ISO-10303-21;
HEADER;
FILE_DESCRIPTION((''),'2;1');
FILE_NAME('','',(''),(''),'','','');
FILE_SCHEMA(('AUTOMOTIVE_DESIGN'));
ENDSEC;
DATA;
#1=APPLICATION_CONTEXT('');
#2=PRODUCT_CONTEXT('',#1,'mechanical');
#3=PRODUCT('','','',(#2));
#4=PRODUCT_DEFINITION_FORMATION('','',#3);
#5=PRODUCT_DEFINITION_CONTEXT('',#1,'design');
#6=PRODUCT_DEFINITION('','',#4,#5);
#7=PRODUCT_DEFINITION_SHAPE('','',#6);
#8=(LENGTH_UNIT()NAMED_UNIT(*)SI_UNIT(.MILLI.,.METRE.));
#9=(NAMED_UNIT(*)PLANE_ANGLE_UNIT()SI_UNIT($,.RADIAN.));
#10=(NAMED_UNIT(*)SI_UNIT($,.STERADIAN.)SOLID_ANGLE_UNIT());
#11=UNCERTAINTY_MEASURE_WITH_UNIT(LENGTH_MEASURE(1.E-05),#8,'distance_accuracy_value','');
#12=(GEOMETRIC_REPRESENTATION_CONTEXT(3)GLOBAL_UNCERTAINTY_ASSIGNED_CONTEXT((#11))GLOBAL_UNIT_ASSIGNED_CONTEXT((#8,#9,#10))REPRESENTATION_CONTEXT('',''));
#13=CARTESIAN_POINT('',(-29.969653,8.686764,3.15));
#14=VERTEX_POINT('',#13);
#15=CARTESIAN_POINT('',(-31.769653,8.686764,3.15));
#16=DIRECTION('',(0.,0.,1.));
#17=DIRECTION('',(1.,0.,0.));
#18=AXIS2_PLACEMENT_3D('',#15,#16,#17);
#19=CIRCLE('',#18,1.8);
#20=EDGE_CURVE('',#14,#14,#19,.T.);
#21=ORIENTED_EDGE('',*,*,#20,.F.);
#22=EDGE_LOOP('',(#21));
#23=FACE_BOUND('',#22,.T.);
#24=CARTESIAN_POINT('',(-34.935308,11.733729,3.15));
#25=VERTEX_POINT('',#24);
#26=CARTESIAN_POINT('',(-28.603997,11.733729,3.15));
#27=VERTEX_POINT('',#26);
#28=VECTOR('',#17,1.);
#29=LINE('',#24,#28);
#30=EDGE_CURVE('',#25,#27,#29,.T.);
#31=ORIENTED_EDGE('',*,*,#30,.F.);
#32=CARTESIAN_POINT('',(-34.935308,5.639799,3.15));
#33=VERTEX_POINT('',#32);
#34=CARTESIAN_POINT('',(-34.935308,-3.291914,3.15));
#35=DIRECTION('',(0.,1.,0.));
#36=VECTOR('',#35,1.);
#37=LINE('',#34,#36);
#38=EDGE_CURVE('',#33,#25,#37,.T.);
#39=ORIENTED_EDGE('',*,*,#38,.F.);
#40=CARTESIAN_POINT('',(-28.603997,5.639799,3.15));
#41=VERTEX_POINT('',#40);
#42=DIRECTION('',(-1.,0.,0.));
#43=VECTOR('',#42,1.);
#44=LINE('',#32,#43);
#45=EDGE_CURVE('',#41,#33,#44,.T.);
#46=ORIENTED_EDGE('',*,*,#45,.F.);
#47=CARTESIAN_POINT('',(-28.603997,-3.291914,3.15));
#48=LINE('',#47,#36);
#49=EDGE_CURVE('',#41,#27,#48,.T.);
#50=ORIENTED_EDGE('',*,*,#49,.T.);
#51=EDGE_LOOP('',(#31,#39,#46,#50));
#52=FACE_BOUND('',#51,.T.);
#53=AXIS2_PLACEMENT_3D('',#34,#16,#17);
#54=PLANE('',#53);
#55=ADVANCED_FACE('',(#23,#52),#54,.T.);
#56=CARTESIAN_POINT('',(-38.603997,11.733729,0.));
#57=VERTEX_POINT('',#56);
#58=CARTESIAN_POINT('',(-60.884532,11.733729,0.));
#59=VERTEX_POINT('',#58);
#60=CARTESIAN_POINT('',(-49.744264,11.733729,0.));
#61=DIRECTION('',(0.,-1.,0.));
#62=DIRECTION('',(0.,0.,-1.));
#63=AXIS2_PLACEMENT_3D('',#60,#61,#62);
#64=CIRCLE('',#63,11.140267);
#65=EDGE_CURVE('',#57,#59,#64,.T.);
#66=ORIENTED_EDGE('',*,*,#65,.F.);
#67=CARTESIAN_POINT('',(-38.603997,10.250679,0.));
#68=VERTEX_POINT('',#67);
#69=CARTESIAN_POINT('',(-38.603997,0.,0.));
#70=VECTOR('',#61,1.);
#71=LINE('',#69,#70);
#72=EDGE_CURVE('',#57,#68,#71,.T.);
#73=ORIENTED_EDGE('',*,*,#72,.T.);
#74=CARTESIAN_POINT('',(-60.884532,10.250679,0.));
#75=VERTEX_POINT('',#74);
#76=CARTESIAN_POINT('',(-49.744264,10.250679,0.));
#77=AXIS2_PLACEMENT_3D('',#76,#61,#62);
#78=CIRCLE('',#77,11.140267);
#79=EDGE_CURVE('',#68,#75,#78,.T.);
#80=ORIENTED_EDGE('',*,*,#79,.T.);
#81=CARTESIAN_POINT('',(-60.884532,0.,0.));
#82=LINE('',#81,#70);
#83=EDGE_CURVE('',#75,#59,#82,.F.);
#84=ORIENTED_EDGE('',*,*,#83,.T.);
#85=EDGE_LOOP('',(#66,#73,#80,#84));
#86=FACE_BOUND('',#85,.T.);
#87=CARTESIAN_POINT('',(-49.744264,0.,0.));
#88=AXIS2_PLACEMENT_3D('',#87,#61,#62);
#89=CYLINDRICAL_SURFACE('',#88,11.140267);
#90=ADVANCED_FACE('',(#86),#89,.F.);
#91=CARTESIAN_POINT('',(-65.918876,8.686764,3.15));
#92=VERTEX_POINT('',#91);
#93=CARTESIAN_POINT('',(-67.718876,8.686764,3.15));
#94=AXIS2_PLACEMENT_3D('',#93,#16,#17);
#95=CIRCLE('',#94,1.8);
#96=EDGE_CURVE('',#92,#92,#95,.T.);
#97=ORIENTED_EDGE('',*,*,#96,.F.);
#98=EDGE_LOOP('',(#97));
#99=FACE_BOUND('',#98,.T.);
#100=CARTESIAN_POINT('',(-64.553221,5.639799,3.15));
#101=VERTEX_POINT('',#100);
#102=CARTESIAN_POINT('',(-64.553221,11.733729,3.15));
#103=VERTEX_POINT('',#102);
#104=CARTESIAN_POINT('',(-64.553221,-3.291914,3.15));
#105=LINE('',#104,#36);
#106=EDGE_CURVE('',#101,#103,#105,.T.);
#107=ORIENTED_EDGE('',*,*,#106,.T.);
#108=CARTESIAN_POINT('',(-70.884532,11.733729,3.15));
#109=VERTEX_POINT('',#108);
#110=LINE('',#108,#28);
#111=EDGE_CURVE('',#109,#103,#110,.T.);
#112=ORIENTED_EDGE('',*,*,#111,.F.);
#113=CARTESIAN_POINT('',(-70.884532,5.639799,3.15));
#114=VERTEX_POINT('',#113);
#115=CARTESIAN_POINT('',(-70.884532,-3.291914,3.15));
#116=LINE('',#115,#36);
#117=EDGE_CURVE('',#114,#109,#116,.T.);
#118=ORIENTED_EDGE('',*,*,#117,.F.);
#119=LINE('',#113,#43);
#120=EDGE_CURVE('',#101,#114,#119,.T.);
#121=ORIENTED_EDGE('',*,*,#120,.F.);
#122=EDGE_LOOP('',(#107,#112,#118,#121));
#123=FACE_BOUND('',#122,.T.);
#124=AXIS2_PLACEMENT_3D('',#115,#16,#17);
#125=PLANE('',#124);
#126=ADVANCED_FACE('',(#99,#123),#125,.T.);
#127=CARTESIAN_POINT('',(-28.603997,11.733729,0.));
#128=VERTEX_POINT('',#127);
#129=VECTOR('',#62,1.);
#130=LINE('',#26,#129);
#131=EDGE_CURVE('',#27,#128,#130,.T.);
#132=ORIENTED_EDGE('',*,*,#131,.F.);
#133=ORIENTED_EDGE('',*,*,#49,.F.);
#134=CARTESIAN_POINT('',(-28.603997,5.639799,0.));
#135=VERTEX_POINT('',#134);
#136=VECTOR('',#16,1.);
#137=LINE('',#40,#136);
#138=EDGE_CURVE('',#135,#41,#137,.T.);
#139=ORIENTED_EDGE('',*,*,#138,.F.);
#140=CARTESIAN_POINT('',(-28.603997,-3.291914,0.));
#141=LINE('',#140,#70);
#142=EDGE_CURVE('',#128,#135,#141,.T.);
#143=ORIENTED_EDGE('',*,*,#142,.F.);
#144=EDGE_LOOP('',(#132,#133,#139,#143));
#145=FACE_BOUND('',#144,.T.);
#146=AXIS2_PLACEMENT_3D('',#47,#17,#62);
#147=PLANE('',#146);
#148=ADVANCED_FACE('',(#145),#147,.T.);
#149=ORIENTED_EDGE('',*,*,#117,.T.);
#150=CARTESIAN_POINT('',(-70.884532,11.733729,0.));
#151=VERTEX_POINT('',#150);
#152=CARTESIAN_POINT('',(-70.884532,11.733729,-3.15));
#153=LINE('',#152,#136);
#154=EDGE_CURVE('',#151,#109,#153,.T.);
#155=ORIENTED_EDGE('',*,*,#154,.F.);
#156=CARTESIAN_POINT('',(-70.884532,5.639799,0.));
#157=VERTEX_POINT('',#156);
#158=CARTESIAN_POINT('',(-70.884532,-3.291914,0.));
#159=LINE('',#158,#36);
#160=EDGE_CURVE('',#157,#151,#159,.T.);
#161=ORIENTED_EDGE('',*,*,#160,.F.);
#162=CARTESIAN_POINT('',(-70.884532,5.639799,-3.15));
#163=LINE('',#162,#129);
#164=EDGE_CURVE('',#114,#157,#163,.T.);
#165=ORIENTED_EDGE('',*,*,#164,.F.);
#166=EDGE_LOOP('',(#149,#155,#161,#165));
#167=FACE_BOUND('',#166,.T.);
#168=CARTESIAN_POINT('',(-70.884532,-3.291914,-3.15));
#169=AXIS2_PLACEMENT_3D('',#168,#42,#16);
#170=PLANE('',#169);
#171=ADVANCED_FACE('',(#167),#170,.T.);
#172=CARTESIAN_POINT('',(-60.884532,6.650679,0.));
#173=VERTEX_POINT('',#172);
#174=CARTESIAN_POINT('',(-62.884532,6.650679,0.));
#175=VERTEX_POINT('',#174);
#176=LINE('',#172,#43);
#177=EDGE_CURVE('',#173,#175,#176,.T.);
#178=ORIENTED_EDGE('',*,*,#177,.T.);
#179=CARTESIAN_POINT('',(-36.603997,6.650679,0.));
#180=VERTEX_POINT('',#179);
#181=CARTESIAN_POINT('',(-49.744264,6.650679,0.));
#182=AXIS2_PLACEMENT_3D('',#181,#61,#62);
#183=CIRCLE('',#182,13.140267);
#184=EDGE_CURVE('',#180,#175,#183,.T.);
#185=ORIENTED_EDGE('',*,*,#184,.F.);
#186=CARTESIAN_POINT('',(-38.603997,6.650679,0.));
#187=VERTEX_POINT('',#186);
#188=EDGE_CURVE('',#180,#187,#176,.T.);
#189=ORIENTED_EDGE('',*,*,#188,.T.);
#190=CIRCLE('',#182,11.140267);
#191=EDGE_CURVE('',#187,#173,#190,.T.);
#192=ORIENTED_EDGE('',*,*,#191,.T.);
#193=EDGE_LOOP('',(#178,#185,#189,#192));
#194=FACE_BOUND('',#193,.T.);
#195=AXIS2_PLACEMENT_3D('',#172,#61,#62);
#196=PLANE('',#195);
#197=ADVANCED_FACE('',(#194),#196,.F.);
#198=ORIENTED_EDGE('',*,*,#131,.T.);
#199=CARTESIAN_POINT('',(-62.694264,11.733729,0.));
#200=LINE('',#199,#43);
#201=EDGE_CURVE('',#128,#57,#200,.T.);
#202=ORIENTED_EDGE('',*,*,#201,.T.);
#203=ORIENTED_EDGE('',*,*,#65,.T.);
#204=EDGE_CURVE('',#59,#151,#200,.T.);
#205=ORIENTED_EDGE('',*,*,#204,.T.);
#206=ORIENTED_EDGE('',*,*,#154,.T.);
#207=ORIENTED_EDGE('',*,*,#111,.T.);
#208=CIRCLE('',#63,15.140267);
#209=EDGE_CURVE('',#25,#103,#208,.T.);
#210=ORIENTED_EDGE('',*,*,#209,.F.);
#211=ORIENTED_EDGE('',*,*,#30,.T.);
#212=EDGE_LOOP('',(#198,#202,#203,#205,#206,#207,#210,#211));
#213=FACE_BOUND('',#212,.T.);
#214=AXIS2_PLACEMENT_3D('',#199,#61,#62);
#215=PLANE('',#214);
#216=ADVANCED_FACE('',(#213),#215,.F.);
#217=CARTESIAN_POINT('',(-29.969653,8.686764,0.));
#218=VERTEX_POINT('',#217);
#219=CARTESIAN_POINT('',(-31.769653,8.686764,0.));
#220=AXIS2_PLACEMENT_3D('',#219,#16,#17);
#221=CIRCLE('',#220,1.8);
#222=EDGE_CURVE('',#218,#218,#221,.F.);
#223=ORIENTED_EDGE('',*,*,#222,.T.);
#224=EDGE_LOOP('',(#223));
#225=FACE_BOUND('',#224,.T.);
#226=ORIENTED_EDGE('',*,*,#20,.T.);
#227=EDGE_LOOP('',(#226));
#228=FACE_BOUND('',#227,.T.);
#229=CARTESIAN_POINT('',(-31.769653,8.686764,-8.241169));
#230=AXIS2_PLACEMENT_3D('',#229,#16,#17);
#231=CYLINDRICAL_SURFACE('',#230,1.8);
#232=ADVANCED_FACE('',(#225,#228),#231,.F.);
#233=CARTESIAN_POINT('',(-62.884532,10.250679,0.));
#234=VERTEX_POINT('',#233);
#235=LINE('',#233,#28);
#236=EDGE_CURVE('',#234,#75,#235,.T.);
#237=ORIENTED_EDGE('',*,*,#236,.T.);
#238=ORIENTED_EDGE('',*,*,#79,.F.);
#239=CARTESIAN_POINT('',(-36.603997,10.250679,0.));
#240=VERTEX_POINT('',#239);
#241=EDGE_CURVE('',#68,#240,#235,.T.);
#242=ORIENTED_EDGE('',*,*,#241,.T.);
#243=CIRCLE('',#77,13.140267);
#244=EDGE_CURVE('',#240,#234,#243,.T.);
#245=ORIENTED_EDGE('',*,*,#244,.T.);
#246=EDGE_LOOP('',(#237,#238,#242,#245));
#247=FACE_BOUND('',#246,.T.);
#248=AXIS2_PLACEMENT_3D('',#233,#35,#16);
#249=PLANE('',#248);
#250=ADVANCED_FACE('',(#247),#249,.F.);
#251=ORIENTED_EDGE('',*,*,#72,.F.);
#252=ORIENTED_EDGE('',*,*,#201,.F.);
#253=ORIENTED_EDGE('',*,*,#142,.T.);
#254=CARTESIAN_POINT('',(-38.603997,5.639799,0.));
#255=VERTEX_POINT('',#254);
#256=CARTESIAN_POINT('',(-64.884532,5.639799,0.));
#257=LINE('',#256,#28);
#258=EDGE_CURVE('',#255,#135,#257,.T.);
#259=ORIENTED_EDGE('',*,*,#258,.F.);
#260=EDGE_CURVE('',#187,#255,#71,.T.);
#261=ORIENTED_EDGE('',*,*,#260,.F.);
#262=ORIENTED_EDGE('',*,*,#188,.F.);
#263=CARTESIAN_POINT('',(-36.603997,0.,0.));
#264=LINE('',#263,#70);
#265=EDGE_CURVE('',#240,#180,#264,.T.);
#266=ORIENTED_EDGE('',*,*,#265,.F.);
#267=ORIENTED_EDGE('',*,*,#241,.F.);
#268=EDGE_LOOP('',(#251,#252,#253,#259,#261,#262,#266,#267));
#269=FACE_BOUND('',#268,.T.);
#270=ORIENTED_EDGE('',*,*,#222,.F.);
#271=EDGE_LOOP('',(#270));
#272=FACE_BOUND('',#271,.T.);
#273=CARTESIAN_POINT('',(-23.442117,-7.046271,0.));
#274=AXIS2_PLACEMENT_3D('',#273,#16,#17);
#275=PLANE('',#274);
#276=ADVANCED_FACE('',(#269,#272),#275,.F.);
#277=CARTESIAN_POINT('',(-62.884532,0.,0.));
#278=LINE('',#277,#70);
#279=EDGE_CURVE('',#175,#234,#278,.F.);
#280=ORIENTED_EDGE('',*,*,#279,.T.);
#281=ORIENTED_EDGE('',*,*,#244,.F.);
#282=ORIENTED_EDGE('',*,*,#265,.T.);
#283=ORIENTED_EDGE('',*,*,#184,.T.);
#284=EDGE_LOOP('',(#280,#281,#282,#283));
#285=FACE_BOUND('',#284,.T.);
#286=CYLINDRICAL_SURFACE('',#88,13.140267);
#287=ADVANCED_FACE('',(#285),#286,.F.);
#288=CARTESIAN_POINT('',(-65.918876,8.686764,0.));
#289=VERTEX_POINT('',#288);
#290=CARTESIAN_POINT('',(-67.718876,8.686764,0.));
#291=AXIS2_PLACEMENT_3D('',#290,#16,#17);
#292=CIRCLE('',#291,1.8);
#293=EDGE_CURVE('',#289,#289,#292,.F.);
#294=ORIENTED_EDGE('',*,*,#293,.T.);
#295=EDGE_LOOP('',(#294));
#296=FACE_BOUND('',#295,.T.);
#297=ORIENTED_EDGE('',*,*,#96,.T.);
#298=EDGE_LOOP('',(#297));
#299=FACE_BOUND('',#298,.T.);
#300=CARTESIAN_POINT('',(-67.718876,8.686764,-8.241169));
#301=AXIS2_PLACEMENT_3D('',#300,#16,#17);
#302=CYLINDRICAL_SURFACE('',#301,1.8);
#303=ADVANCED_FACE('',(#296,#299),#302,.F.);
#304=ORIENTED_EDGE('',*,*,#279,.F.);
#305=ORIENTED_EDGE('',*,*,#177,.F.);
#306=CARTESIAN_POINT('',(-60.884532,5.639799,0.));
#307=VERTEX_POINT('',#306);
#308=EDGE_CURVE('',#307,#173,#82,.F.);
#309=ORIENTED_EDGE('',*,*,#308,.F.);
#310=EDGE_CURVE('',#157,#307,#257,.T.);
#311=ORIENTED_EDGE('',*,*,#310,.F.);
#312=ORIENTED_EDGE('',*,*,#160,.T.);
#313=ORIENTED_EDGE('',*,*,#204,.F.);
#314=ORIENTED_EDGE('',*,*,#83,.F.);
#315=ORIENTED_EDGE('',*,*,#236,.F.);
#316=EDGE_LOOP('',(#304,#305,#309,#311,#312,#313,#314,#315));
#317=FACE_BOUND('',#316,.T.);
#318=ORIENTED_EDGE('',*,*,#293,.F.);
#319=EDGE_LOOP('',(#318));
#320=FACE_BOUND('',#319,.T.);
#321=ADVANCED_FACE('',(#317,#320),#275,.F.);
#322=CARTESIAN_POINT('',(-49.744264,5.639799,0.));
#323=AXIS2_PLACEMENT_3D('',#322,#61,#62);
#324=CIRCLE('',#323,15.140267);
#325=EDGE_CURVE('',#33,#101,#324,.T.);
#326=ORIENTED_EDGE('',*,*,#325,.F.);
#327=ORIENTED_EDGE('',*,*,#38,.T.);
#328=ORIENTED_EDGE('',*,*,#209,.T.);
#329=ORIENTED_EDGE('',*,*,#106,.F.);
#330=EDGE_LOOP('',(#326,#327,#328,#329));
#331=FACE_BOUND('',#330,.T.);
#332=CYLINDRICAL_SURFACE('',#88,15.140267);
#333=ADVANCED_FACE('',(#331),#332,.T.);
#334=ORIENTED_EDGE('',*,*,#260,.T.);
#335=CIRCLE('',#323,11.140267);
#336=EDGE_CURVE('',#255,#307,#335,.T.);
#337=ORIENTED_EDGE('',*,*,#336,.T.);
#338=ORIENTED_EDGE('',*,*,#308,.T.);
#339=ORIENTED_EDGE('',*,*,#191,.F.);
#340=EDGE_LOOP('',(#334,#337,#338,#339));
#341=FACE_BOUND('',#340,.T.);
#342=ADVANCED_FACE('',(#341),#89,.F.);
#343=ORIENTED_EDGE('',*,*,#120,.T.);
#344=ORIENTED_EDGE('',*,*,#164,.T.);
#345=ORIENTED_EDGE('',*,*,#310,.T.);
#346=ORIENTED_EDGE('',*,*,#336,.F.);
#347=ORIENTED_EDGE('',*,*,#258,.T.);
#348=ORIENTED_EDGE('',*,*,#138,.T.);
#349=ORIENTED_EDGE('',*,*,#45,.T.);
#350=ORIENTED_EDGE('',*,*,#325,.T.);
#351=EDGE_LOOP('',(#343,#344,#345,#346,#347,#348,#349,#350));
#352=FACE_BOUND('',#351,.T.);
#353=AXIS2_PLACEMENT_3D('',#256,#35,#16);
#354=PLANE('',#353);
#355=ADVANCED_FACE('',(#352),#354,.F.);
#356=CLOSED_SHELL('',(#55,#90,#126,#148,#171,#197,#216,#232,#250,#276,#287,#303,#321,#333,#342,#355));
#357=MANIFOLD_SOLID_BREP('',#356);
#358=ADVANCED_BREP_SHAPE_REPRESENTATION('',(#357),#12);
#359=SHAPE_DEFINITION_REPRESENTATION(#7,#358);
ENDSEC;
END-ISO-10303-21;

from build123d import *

# Parameters (mm, degrees)
BOSS_EXTRUDE1_DEPTH     = 5
BOSS_EXTRUDE2_DEPTH     = 3
BOSS_EXTRUDE3_DEPTH     = 3
SKETCH10_W              = 9.5
SKETCH10_H              = 5
BOSS_EXTRUDE4_DEPTH     = 15.78
SKETCH11_W              = 9.5
SKETCH11_H              = 2
BOSS_EXTRUDE5_DEPTH     = 40
BOSS_EXTRUDE6_DEPTH     = 6.09393
SKETCH14_R              = 1.8
CUT_EXTRUDE1_DEPTH      = 6.3
SKETCH15_W              = 51.153217575
SKETCH15_H              = 86.05062267
CUT_EXTRUDE3_DEPTH      = 6
CUT_EXTRUDE3_DEPTH_BACK = 19.78
SKETCH16_W              = 9.603970124
SKETCH16_H              = 11.884913028
CUT_EXTRUDE4_DEPTH      = 17.733728816


with BuildPart() as part:
    # Sketch3 → Revolve1 (revolve)
    with BuildSketch(Plane.XY):
        Polygon((-62.694264441, 11.733728816), (-64.884531744, 11.733728816), (-64.884531744, 5.639799249), (-60.884531744, 5.639799249), (-60.884531744, 6.650679103), (-62.884531744, 6.650679103), (-62.884531744, 10.250679103), (-60.884531744, 10.250679103), (-60.884531744, 11.733728816), align=None)
    revolve(axis=Axis((-49.744264441, 0, 0), (0, 1, 0)))

    # Sketch7 → Boss-Extrude1 (add)
    with BuildSketch(Plane(origin=(0, 11.733728816, 0), x_dir=(1, 0, 0), z_dir=(0, 1, 0))):
        with BuildLine():
            Line((-50.244264441, 15.132008921), (-50.244264441, 13.130751112))
            ThreePointArc((-50.244264441, 13.130751112), (-49.744264441, 13.140267302), (-49.244264441, 13.130751112))
            Line((-49.244264441, 13.130751112), (-49.244264441, 15.132008921))
            ThreePointArc((-49.244264441, 15.132008921), (-49.744264441, 15.140267302), (-50.244264441, 15.132008921))
        make_face()
    extrude(amount=BOSS_EXTRUDE1_DEPTH)

    # Sketch8 → Boss-Extrude2 (add)
    with BuildSketch(Plane(origin=(0, 16.733728816, 0), x_dir=(1, 0, 0), z_dir=(0, 1, 0))):
        with BuildLine():
            Line((-50.244264441, 15.132008921), (-50.244264441, 13.130751112))
            Line((-50.244264441, 13.130751112), (-50.244264441, -4.369248888))
            Line((-50.244264441, -4.369248888), (-49.244264441, -4.369248888))
            Line((-49.244264441, -4.369248888), (-49.244264441, 13.130751112))
            Line((-49.244264441, 13.130751112), (-49.244264441, 15.132008921))
            ThreePointArc((-49.244264441, 15.132008921), (-49.744264441, 15.140267302), (-50.244264441, 15.132008921))
        make_face()
    extrude(amount=-BOSS_EXTRUDE2_DEPTH)

    # Sketch9 → Boss-Extrude3 (add)
    with BuildSketch(Plane(origin=(0, 11.733728816, 0), x_dir=(1, 0, 0), z_dir=(0, 1, 0))):
        with BuildLine():
            Line((-54.494264441, 14.375854548), (-54.494264441, 39.375854548))
            Line((-54.494264441, 39.375854548), (-44.994264441, 39.375854548))
            Line((-44.994264441, 39.375854548), (-44.994264441, 14.375854548))
            ThreePointArc((-44.994264441, 14.375854548), (-47.092177082, 14.906177465), (-49.244264441, 15.132008921))
            ThreePointArc((-49.244264441, 15.132008921), (-49.744264441, 15.140267302), (-50.244264441, 15.132008921))
            ThreePointArc((-50.244264441, 15.132008921), (-52.3963518, 14.906177465), (-54.494264441, 14.375854548))
        make_face()
    extrude(amount=-BOSS_EXTRUDE3_DEPTH)

    # Sketch10 → Boss-Extrude4 (add)
    with BuildSketch(Plane.XZ.offset(-8.733728816)):
        with Locations((-49.744264441, -36.875854548)):
            Rectangle(SKETCH10_W, SKETCH10_H)
    extrude(amount=BOSS_EXTRUDE4_DEPTH)

    # Sketch11 → Boss-Extrude5 (add)
    with BuildSketch(Plane(origin=(0, 0, -39.375854548), x_dir=(-1, 0, 0), z_dir=(0, 0, -1))):
        with Locations((49.744264441, -6.046271184)):
            Rectangle(SKETCH11_W, SKETCH11_H)
    extrude(amount=BOSS_EXTRUDE5_DEPTH)

    # Sketch13 → Boss-Extrude6 (add)
    with BuildSketch(Plane(origin=(0, 11.733728816, 0), x_dir=(1, 0, 0), z_dir=(0, 1, 0))):
        with BuildLine():
            Line((-28.603997139, 3.15), (-34.935307895, 3.15))
            ThreePointArc((-34.935307895, 3.15), (-34.603997139, 0), (-34.935307895, -3.15))
            Line((-34.935307895, -3.15), (-28.603997139, -3.15))
            Line((-28.603997139, -3.15), (-28.603997139, 3.15))
        make_face()
        with BuildLine():
            Line((-70.884531744, 3.15), (-70.884531744, -3.15))
            Line((-70.884531744, -3.15), (-64.553220987, -3.15))
            ThreePointArc((-64.553220987, -3.15), (-64.884531744, 0), (-64.553220987, 3.15))
            Line((-64.553220987, 3.15), (-70.884531744, 3.15))
        make_face()
    extrude(amount=-BOSS_EXTRUDE6_DEPTH)

    # Sketch14 → Cut-Extrude1 (cut)
    with BuildSketch(Plane.XY.offset(3.15)):
        with Locations((-31.769652517, 8.686764033)):
            Circle(SKETCH14_R)
        with Locations((-67.718876365, 8.686764033)):
            Circle(SKETCH14_R)
    extrude(amount=-CUT_EXTRUDE1_DEPTH, mode=Mode.SUBTRACT)

    # Sketch15 → Cut-Extrude3 (cut, two sides)
    with BuildSketch(Plane(origin=(0, 11.733728816, 0), x_dir=(1, 0, 0), z_dir=(0, 1, 0))) as cut_extrude3_sk:
        with Locations((-49.018725857, 43.025311335)):
            Rectangle(SKETCH15_W, SKETCH15_H)
    extrude(amount=CUT_EXTRUDE3_DEPTH, mode=Mode.SUBTRACT)
    extrude(cut_extrude3_sk.sketch, amount=-CUT_EXTRUDE3_DEPTH_BACK, mode=Mode.SUBTRACT)

    # Sketch16 → Cut-Extrude4 (cut, through all)
    with BuildSketch(Plane(origin=(0, 0, 0), x_dir=(1, 0, 0), z_dir=(0, 1, 0))):
        with Locations((-50.086315959, -0.525030424)):
            Rectangle(SKETCH16_W, SKETCH16_H)
    extrude(amount=CUT_EXTRUDE4_DEPTH, mode=Mode.SUBTRACT)


solid = part.part
